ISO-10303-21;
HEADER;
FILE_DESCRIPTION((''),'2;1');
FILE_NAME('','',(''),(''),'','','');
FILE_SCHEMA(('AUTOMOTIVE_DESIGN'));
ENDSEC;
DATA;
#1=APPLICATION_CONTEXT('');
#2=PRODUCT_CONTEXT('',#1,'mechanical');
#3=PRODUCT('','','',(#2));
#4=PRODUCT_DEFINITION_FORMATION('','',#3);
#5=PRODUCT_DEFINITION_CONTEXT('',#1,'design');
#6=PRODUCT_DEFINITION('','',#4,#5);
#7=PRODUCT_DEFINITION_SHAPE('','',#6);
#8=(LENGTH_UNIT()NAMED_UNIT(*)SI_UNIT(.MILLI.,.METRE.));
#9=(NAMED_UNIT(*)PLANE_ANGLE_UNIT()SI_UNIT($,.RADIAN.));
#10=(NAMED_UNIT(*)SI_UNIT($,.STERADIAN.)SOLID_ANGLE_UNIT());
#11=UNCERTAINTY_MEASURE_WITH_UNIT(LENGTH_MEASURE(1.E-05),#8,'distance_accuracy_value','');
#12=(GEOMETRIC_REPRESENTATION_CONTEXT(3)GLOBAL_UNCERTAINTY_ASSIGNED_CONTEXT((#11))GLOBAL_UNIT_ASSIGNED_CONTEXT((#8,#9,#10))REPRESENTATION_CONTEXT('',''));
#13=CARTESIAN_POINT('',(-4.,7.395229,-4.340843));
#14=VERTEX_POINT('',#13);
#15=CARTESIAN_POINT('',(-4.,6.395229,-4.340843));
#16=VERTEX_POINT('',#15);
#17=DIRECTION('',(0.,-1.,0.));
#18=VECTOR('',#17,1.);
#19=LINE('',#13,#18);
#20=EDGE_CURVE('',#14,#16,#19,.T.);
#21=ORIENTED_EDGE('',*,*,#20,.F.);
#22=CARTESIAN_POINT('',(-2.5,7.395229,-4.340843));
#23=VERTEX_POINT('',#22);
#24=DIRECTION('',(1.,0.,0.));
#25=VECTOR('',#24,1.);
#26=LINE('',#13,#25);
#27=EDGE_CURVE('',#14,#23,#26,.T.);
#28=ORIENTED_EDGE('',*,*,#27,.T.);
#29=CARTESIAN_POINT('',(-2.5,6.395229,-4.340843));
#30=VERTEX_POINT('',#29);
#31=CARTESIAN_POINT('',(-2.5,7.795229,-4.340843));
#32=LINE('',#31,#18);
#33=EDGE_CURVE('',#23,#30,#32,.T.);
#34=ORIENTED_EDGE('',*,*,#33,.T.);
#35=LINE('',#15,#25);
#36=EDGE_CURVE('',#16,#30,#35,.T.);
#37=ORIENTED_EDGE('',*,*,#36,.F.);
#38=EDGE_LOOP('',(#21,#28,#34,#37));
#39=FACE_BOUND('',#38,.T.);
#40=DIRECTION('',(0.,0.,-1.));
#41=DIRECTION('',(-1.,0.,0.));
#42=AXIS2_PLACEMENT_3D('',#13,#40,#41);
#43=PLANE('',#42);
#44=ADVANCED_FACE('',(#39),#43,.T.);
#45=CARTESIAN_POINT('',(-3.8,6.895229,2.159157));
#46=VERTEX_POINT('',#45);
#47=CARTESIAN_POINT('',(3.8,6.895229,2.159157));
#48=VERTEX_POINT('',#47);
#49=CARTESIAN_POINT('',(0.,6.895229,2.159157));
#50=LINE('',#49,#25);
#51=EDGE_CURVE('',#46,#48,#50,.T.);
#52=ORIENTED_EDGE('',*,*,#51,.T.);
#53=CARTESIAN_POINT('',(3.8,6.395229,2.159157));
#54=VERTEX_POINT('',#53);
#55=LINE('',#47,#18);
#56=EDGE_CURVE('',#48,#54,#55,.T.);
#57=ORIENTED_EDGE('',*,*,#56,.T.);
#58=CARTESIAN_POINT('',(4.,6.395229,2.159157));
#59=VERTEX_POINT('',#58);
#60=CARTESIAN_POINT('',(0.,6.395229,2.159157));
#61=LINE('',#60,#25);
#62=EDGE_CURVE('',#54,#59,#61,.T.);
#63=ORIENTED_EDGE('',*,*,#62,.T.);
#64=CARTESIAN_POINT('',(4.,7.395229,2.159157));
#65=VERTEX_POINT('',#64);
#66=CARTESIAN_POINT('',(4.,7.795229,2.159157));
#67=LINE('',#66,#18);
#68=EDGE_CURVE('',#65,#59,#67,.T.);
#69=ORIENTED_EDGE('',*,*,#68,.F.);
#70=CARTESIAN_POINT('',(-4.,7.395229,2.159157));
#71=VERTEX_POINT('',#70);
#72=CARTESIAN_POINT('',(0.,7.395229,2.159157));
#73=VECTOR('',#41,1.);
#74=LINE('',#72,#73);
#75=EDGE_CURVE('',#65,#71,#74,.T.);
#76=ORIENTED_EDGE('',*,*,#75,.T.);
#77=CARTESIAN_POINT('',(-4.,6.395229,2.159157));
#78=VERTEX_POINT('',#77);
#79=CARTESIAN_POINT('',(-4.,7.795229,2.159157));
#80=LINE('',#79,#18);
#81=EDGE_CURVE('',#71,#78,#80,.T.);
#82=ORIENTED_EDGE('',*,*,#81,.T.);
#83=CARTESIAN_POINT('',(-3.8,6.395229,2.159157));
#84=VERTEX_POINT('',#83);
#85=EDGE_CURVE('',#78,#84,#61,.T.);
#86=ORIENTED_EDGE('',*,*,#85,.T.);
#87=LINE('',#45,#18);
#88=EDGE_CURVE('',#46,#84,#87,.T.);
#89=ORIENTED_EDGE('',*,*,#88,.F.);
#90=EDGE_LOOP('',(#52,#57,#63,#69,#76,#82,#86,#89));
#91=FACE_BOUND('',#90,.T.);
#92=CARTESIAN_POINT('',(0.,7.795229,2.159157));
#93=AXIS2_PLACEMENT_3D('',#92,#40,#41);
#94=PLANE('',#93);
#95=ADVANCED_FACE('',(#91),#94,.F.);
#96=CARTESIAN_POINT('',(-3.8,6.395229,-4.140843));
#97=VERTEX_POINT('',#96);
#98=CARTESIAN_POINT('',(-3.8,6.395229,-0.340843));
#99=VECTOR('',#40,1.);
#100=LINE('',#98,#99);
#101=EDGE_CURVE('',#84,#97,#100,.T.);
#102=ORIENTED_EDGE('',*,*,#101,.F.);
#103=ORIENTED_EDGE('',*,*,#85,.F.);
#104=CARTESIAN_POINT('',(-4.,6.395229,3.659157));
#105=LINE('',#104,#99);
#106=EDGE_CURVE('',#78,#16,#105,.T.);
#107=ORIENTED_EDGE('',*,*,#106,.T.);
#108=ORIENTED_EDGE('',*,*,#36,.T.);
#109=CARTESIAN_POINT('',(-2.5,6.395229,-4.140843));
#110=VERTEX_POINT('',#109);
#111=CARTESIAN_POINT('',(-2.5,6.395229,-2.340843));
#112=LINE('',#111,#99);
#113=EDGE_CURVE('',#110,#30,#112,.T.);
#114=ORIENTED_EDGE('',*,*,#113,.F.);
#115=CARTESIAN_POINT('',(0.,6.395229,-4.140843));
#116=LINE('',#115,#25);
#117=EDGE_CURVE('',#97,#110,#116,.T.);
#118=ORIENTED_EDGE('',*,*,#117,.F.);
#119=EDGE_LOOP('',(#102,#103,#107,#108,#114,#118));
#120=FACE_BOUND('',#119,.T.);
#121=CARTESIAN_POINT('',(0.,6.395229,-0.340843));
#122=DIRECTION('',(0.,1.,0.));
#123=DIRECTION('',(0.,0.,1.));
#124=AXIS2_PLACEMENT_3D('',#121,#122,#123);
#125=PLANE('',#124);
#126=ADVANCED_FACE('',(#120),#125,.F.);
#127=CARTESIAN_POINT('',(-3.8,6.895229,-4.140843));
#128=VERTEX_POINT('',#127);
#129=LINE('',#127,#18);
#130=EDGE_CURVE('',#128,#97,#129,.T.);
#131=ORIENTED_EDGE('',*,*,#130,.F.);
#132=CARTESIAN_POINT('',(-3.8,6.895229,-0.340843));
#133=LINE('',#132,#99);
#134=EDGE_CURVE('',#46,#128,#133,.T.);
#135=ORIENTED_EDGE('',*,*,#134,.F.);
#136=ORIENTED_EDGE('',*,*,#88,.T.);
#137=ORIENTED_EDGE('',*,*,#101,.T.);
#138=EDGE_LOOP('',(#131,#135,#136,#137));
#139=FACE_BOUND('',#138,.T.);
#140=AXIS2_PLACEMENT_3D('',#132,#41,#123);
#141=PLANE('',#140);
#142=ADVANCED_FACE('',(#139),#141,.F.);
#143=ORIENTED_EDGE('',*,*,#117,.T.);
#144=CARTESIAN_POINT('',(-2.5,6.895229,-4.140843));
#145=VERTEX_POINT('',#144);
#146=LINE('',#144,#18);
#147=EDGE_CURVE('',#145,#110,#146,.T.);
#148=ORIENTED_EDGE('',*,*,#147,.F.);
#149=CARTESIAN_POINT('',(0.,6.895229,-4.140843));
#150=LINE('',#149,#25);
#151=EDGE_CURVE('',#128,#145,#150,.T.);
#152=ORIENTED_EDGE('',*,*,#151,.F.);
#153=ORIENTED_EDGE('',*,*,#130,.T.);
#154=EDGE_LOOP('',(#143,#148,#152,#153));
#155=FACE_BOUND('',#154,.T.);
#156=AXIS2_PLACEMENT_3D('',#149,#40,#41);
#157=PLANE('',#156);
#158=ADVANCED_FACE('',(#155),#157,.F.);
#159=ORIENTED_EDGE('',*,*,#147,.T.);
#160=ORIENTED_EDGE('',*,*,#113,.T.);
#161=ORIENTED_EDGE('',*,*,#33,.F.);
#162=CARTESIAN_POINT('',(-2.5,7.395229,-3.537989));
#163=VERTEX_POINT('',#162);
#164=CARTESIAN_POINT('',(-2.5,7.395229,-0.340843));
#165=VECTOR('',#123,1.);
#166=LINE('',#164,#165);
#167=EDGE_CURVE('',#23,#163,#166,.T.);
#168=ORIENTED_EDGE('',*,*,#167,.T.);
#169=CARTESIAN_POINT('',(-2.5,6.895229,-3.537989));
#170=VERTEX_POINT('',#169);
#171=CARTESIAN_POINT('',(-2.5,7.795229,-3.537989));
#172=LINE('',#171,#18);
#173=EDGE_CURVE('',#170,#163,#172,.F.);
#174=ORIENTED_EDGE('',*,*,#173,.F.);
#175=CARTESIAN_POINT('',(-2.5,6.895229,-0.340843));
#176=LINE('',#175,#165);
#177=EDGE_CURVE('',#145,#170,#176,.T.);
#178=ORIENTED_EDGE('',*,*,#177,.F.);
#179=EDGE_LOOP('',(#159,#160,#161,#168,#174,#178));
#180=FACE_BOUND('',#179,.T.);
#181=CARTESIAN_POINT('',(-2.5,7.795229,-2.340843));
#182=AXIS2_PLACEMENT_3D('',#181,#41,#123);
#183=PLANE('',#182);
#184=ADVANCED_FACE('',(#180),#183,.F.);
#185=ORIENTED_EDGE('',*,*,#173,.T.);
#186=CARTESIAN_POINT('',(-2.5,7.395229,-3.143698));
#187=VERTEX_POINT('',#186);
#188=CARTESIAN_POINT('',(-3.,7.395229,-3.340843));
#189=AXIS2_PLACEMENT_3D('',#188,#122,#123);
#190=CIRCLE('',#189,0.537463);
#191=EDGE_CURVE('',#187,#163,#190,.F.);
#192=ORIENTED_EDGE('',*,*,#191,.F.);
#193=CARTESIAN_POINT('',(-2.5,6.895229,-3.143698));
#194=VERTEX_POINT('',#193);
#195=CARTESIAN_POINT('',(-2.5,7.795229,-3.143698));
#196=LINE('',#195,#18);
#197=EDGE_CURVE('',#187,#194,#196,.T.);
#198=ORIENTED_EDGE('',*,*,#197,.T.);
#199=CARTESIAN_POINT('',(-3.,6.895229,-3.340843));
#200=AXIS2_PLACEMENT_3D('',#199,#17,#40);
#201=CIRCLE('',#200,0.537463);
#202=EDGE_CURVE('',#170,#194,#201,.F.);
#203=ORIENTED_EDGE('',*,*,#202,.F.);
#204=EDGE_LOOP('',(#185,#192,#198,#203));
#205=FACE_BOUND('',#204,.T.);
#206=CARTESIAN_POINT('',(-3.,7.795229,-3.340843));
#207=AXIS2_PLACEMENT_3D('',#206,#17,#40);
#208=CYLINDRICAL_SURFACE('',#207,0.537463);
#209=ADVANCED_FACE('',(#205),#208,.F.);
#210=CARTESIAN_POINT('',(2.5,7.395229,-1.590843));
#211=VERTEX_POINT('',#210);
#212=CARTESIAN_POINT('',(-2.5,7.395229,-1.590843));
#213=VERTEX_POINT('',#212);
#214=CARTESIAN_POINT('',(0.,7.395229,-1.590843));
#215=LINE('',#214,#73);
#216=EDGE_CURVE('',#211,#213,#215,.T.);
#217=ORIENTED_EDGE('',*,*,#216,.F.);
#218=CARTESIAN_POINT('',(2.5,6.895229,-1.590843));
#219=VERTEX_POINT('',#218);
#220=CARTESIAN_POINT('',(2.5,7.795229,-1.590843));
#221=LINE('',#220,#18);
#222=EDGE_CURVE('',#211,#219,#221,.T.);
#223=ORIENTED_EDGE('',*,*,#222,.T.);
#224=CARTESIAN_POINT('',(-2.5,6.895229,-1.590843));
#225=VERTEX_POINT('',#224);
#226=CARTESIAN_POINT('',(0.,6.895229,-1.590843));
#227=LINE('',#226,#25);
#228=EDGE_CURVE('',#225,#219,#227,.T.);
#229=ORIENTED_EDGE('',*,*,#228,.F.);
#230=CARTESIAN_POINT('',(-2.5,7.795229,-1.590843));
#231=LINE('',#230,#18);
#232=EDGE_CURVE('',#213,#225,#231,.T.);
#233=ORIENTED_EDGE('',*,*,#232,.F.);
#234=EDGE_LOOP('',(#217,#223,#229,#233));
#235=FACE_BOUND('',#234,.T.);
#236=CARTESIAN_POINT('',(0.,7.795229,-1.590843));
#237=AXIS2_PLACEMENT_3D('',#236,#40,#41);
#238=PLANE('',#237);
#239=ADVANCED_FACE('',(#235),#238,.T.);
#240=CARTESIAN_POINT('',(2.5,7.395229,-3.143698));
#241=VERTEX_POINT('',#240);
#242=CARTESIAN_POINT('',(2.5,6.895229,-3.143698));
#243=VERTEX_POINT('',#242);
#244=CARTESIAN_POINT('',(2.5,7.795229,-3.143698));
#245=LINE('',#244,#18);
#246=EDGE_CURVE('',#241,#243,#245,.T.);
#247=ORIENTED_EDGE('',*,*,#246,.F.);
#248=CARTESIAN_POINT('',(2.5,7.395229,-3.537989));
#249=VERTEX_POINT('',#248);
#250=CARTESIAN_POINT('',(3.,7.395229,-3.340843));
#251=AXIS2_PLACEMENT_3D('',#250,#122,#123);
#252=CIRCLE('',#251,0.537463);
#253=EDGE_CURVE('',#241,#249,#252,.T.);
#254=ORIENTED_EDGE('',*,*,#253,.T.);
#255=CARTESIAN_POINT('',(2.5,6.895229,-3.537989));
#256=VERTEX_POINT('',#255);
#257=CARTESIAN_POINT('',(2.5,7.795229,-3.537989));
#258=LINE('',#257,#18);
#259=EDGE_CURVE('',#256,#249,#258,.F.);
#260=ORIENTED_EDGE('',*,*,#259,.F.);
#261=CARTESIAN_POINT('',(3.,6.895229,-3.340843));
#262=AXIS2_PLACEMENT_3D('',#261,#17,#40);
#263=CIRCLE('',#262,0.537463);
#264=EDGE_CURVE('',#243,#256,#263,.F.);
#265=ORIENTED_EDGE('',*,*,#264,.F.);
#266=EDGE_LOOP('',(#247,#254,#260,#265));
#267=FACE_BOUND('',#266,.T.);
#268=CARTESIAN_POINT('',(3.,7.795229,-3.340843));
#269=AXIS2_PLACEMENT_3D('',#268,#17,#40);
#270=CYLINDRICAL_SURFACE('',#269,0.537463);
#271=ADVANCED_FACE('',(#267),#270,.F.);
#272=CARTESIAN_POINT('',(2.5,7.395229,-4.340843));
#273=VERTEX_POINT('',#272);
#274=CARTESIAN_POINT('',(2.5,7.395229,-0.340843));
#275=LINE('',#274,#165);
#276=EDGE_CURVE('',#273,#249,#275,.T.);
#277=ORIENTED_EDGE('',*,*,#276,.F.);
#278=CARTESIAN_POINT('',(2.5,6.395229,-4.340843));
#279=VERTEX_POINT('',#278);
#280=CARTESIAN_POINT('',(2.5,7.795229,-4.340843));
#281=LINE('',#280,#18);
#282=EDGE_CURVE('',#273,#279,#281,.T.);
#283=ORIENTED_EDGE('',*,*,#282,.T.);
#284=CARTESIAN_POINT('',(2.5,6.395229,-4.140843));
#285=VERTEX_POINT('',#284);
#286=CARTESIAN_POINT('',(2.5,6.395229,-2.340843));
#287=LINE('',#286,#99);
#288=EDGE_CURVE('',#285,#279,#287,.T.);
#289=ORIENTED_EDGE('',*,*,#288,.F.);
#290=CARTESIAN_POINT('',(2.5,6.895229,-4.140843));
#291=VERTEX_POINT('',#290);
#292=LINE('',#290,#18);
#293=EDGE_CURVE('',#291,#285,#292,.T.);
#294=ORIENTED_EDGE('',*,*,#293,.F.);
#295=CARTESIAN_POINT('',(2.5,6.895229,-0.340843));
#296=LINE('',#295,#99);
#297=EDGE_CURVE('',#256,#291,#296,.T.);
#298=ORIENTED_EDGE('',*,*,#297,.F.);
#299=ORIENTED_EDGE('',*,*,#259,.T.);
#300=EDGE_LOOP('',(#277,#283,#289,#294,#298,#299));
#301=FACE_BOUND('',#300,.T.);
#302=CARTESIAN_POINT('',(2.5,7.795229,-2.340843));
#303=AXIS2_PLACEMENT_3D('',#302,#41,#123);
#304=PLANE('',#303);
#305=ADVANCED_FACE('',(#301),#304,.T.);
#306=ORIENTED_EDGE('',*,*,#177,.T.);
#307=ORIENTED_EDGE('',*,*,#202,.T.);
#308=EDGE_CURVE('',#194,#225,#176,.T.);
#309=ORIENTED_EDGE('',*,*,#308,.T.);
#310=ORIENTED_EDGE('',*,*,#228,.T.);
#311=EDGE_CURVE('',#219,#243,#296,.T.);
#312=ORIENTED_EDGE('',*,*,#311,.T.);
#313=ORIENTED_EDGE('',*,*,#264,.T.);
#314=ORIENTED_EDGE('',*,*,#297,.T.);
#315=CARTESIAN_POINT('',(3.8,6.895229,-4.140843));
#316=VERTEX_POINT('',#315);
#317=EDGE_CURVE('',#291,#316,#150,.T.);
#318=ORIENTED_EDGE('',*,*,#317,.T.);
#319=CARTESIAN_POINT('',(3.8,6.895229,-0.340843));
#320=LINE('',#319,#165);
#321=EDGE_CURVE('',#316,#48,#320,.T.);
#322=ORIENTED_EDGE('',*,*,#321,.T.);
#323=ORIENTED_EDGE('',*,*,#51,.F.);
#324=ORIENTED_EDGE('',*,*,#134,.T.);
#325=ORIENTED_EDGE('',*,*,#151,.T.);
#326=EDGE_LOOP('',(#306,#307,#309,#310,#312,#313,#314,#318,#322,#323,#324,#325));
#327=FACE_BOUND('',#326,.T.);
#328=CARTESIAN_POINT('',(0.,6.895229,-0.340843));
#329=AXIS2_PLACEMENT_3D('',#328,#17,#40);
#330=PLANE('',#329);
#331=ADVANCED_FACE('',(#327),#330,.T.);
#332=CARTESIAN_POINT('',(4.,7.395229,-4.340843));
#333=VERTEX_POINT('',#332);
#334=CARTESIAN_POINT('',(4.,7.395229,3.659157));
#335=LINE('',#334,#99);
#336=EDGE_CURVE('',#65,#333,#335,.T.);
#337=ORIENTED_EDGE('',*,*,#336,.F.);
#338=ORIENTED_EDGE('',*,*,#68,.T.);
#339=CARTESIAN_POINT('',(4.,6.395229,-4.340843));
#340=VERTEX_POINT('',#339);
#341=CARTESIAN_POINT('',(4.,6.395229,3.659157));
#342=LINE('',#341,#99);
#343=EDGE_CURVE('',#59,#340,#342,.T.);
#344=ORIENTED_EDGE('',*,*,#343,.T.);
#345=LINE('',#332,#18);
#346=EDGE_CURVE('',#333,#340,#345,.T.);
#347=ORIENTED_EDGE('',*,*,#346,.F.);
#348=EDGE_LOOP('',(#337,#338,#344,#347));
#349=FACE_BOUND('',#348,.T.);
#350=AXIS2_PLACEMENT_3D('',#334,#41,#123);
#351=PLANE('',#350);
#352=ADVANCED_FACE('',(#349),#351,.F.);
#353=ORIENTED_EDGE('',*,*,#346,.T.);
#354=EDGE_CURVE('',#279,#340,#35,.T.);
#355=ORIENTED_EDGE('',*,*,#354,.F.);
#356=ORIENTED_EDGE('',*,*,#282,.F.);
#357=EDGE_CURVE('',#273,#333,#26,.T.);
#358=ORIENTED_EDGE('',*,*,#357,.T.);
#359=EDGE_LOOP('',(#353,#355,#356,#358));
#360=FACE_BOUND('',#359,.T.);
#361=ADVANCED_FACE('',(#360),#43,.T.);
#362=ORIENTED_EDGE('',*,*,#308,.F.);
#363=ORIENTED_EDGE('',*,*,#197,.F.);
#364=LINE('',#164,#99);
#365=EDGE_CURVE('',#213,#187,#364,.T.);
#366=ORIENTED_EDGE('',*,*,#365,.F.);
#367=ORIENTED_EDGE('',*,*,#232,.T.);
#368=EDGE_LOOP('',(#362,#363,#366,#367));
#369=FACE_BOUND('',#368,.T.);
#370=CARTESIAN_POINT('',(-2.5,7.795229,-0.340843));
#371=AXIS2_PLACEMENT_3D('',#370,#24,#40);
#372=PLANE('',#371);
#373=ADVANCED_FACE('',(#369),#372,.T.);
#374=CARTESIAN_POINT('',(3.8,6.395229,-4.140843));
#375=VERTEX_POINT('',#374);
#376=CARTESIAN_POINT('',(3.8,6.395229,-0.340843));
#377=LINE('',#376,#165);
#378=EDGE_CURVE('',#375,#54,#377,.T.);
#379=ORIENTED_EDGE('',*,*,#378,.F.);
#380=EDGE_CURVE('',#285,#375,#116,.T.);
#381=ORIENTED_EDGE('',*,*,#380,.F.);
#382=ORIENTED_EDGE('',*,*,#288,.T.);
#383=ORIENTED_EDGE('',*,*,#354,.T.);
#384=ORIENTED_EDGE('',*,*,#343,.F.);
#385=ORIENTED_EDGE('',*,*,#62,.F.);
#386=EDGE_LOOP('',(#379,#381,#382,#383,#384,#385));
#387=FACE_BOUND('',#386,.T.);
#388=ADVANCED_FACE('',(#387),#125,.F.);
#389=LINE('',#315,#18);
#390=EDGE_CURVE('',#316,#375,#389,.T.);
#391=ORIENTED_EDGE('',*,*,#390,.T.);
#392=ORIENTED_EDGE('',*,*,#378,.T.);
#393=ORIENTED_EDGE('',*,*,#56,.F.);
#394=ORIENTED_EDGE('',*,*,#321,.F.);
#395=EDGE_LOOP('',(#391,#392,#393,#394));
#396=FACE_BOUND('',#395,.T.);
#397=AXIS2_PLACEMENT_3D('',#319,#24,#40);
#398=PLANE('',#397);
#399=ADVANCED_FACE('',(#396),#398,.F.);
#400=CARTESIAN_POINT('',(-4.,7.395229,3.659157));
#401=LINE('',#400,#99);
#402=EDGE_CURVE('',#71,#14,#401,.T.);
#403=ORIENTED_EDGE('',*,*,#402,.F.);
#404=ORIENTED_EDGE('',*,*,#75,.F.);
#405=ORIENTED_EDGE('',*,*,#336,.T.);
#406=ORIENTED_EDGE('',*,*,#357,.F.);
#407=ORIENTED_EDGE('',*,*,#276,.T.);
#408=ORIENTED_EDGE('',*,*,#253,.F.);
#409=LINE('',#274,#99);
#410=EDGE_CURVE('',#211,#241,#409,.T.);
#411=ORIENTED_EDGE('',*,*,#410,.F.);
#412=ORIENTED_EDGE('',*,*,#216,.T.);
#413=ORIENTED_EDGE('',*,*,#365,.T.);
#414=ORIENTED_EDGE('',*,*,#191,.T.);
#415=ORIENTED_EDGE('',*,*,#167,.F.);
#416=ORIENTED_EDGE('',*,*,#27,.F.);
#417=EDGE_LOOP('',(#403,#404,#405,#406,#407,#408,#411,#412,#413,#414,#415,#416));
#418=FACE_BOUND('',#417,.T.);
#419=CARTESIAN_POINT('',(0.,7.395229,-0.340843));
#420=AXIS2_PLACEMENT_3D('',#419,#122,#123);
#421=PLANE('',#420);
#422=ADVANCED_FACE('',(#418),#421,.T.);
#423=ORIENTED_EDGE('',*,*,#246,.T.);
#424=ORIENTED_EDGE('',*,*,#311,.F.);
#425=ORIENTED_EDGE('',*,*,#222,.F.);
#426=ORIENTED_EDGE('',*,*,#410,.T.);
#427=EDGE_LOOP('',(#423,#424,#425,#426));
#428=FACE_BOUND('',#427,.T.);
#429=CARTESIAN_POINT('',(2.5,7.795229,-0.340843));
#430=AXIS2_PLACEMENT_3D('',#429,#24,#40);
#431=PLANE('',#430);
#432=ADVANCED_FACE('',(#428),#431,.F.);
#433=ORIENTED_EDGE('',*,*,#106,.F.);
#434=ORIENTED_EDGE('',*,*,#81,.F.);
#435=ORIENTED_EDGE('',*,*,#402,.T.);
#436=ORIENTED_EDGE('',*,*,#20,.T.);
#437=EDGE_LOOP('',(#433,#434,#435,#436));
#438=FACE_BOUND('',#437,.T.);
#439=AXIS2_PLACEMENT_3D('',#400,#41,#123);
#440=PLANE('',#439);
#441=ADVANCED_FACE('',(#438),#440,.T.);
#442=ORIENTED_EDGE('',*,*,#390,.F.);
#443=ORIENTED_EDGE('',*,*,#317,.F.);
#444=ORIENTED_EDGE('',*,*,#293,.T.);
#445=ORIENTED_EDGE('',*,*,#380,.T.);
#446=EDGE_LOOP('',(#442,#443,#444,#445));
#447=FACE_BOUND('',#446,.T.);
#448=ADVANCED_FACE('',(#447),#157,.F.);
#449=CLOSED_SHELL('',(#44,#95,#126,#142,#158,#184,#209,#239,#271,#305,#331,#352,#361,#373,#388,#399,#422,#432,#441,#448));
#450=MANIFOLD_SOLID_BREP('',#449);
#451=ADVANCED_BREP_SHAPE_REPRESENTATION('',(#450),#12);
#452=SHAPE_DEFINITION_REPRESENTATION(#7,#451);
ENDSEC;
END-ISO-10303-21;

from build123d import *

# Parameters (mm, degrees)
SKETCH1_W           = 80
SKETCH1_H           = 80
BOSS_EXTRUDE2_DEPTH = 10
CUT_EXTRUDE2_DEPTH  = 14
CUT_EXTRUDE3_DEPTH  = 14
CUT_EXTRUDE4_DEPTH  = 5
SCALE2_SCALE        = 0.1


with BuildPart() as part:
    # Sketch1 → Boss-Extrude2 (new body)
    with BuildSketch(Plane(origin=(0, 0, 0), x_dir=(1, 0, 0), z_dir=(0, 1, 0))):
        Rectangle(SKETCH1_W, SKETCH1_H)
    extrude(amount=BOSS_EXTRUDE2_DEPTH)

    # Sketch1<8> → Cut-Extrude2 (cut)
    with BuildSketch(Plane(origin=(0, 0, 0), x_dir=(1, 0, 0), z_dir=(0, 1, 0))):
        with BuildLine():
            Line((25, 40), (-25, 40))
            Line((-25, 40), (-25, 31.971455811))
            ThreePointArc((-25, 31.971455811), (-35.374629105, 30), (-25, 28.028544189))
            Line((-25, 28.028544189), (-25, 12.5))
            Line((-25, 12.5), (25, 12.5))
            Line((25, 12.5), (25, 28.028544189))
            ThreePointArc((25, 28.028544189), (35.374629105, 30), (25, 31.971455811))
            Line((25, 31.971455811), (25, 40))
        make_face()
    extrude(amount=CUT_EXTRUDE2_DEPTH, mode=Mode.SUBTRACT)

    # Sketch4 → Cut-Extrude3 (cut)
    with BuildSketch(Plane.XZ):
        Polygon((40, 40), (-40, 40), (-40, 25), (-38, 25), (38, 25), (40, 25), align=None)
    extrude(amount=-CUT_EXTRUDE3_DEPTH, mode=Mode.SUBTRACT)

    # Sketch4<4> → Cut-Extrude4 (cut)
    with BuildSketch(Plane.XZ):
        with BuildLine():
            Line((38, 25), (-38, 25))
            Line((-38, 25), (-38, -38))
            Line((-38, -38), (-27, -38))
            Line((-27, -38), (-25, -38))
            Line((-25, -38), (-25, -31.971455811))
            ThreePointArc((-25, -31.971455811), (-35.374629105, -30), (-25, -28.028544189))
            Line((-25, -28.028544189), (-25, -12.5))
            Line((-25, -12.5), (25, -12.5))
            Line((25, -12.5), (25, -28.028544189))
            ThreePointArc((25, -28.028544189), (35.374629105, -30), (25, -31.971455811))
            Line((25, -31.971455811), (25, -38))
            Line((25, -38), (27, -38))
            Line((27, -38), (38, -38))
            Line((38, -38), (38, 25))
        make_face()
    extrude(amount=-CUT_EXTRUDE4_DEPTH, mode=Mode.SUBTRACT)


with BuildPart() as part_1:
    # Scale2: scaled about (0, 7.105810112, -0.378714582)
    add(part.part.scale(SCALE2_SCALE).moved(Location((0, 6.395229101, -0.340843124))))


solid = part_1.part
